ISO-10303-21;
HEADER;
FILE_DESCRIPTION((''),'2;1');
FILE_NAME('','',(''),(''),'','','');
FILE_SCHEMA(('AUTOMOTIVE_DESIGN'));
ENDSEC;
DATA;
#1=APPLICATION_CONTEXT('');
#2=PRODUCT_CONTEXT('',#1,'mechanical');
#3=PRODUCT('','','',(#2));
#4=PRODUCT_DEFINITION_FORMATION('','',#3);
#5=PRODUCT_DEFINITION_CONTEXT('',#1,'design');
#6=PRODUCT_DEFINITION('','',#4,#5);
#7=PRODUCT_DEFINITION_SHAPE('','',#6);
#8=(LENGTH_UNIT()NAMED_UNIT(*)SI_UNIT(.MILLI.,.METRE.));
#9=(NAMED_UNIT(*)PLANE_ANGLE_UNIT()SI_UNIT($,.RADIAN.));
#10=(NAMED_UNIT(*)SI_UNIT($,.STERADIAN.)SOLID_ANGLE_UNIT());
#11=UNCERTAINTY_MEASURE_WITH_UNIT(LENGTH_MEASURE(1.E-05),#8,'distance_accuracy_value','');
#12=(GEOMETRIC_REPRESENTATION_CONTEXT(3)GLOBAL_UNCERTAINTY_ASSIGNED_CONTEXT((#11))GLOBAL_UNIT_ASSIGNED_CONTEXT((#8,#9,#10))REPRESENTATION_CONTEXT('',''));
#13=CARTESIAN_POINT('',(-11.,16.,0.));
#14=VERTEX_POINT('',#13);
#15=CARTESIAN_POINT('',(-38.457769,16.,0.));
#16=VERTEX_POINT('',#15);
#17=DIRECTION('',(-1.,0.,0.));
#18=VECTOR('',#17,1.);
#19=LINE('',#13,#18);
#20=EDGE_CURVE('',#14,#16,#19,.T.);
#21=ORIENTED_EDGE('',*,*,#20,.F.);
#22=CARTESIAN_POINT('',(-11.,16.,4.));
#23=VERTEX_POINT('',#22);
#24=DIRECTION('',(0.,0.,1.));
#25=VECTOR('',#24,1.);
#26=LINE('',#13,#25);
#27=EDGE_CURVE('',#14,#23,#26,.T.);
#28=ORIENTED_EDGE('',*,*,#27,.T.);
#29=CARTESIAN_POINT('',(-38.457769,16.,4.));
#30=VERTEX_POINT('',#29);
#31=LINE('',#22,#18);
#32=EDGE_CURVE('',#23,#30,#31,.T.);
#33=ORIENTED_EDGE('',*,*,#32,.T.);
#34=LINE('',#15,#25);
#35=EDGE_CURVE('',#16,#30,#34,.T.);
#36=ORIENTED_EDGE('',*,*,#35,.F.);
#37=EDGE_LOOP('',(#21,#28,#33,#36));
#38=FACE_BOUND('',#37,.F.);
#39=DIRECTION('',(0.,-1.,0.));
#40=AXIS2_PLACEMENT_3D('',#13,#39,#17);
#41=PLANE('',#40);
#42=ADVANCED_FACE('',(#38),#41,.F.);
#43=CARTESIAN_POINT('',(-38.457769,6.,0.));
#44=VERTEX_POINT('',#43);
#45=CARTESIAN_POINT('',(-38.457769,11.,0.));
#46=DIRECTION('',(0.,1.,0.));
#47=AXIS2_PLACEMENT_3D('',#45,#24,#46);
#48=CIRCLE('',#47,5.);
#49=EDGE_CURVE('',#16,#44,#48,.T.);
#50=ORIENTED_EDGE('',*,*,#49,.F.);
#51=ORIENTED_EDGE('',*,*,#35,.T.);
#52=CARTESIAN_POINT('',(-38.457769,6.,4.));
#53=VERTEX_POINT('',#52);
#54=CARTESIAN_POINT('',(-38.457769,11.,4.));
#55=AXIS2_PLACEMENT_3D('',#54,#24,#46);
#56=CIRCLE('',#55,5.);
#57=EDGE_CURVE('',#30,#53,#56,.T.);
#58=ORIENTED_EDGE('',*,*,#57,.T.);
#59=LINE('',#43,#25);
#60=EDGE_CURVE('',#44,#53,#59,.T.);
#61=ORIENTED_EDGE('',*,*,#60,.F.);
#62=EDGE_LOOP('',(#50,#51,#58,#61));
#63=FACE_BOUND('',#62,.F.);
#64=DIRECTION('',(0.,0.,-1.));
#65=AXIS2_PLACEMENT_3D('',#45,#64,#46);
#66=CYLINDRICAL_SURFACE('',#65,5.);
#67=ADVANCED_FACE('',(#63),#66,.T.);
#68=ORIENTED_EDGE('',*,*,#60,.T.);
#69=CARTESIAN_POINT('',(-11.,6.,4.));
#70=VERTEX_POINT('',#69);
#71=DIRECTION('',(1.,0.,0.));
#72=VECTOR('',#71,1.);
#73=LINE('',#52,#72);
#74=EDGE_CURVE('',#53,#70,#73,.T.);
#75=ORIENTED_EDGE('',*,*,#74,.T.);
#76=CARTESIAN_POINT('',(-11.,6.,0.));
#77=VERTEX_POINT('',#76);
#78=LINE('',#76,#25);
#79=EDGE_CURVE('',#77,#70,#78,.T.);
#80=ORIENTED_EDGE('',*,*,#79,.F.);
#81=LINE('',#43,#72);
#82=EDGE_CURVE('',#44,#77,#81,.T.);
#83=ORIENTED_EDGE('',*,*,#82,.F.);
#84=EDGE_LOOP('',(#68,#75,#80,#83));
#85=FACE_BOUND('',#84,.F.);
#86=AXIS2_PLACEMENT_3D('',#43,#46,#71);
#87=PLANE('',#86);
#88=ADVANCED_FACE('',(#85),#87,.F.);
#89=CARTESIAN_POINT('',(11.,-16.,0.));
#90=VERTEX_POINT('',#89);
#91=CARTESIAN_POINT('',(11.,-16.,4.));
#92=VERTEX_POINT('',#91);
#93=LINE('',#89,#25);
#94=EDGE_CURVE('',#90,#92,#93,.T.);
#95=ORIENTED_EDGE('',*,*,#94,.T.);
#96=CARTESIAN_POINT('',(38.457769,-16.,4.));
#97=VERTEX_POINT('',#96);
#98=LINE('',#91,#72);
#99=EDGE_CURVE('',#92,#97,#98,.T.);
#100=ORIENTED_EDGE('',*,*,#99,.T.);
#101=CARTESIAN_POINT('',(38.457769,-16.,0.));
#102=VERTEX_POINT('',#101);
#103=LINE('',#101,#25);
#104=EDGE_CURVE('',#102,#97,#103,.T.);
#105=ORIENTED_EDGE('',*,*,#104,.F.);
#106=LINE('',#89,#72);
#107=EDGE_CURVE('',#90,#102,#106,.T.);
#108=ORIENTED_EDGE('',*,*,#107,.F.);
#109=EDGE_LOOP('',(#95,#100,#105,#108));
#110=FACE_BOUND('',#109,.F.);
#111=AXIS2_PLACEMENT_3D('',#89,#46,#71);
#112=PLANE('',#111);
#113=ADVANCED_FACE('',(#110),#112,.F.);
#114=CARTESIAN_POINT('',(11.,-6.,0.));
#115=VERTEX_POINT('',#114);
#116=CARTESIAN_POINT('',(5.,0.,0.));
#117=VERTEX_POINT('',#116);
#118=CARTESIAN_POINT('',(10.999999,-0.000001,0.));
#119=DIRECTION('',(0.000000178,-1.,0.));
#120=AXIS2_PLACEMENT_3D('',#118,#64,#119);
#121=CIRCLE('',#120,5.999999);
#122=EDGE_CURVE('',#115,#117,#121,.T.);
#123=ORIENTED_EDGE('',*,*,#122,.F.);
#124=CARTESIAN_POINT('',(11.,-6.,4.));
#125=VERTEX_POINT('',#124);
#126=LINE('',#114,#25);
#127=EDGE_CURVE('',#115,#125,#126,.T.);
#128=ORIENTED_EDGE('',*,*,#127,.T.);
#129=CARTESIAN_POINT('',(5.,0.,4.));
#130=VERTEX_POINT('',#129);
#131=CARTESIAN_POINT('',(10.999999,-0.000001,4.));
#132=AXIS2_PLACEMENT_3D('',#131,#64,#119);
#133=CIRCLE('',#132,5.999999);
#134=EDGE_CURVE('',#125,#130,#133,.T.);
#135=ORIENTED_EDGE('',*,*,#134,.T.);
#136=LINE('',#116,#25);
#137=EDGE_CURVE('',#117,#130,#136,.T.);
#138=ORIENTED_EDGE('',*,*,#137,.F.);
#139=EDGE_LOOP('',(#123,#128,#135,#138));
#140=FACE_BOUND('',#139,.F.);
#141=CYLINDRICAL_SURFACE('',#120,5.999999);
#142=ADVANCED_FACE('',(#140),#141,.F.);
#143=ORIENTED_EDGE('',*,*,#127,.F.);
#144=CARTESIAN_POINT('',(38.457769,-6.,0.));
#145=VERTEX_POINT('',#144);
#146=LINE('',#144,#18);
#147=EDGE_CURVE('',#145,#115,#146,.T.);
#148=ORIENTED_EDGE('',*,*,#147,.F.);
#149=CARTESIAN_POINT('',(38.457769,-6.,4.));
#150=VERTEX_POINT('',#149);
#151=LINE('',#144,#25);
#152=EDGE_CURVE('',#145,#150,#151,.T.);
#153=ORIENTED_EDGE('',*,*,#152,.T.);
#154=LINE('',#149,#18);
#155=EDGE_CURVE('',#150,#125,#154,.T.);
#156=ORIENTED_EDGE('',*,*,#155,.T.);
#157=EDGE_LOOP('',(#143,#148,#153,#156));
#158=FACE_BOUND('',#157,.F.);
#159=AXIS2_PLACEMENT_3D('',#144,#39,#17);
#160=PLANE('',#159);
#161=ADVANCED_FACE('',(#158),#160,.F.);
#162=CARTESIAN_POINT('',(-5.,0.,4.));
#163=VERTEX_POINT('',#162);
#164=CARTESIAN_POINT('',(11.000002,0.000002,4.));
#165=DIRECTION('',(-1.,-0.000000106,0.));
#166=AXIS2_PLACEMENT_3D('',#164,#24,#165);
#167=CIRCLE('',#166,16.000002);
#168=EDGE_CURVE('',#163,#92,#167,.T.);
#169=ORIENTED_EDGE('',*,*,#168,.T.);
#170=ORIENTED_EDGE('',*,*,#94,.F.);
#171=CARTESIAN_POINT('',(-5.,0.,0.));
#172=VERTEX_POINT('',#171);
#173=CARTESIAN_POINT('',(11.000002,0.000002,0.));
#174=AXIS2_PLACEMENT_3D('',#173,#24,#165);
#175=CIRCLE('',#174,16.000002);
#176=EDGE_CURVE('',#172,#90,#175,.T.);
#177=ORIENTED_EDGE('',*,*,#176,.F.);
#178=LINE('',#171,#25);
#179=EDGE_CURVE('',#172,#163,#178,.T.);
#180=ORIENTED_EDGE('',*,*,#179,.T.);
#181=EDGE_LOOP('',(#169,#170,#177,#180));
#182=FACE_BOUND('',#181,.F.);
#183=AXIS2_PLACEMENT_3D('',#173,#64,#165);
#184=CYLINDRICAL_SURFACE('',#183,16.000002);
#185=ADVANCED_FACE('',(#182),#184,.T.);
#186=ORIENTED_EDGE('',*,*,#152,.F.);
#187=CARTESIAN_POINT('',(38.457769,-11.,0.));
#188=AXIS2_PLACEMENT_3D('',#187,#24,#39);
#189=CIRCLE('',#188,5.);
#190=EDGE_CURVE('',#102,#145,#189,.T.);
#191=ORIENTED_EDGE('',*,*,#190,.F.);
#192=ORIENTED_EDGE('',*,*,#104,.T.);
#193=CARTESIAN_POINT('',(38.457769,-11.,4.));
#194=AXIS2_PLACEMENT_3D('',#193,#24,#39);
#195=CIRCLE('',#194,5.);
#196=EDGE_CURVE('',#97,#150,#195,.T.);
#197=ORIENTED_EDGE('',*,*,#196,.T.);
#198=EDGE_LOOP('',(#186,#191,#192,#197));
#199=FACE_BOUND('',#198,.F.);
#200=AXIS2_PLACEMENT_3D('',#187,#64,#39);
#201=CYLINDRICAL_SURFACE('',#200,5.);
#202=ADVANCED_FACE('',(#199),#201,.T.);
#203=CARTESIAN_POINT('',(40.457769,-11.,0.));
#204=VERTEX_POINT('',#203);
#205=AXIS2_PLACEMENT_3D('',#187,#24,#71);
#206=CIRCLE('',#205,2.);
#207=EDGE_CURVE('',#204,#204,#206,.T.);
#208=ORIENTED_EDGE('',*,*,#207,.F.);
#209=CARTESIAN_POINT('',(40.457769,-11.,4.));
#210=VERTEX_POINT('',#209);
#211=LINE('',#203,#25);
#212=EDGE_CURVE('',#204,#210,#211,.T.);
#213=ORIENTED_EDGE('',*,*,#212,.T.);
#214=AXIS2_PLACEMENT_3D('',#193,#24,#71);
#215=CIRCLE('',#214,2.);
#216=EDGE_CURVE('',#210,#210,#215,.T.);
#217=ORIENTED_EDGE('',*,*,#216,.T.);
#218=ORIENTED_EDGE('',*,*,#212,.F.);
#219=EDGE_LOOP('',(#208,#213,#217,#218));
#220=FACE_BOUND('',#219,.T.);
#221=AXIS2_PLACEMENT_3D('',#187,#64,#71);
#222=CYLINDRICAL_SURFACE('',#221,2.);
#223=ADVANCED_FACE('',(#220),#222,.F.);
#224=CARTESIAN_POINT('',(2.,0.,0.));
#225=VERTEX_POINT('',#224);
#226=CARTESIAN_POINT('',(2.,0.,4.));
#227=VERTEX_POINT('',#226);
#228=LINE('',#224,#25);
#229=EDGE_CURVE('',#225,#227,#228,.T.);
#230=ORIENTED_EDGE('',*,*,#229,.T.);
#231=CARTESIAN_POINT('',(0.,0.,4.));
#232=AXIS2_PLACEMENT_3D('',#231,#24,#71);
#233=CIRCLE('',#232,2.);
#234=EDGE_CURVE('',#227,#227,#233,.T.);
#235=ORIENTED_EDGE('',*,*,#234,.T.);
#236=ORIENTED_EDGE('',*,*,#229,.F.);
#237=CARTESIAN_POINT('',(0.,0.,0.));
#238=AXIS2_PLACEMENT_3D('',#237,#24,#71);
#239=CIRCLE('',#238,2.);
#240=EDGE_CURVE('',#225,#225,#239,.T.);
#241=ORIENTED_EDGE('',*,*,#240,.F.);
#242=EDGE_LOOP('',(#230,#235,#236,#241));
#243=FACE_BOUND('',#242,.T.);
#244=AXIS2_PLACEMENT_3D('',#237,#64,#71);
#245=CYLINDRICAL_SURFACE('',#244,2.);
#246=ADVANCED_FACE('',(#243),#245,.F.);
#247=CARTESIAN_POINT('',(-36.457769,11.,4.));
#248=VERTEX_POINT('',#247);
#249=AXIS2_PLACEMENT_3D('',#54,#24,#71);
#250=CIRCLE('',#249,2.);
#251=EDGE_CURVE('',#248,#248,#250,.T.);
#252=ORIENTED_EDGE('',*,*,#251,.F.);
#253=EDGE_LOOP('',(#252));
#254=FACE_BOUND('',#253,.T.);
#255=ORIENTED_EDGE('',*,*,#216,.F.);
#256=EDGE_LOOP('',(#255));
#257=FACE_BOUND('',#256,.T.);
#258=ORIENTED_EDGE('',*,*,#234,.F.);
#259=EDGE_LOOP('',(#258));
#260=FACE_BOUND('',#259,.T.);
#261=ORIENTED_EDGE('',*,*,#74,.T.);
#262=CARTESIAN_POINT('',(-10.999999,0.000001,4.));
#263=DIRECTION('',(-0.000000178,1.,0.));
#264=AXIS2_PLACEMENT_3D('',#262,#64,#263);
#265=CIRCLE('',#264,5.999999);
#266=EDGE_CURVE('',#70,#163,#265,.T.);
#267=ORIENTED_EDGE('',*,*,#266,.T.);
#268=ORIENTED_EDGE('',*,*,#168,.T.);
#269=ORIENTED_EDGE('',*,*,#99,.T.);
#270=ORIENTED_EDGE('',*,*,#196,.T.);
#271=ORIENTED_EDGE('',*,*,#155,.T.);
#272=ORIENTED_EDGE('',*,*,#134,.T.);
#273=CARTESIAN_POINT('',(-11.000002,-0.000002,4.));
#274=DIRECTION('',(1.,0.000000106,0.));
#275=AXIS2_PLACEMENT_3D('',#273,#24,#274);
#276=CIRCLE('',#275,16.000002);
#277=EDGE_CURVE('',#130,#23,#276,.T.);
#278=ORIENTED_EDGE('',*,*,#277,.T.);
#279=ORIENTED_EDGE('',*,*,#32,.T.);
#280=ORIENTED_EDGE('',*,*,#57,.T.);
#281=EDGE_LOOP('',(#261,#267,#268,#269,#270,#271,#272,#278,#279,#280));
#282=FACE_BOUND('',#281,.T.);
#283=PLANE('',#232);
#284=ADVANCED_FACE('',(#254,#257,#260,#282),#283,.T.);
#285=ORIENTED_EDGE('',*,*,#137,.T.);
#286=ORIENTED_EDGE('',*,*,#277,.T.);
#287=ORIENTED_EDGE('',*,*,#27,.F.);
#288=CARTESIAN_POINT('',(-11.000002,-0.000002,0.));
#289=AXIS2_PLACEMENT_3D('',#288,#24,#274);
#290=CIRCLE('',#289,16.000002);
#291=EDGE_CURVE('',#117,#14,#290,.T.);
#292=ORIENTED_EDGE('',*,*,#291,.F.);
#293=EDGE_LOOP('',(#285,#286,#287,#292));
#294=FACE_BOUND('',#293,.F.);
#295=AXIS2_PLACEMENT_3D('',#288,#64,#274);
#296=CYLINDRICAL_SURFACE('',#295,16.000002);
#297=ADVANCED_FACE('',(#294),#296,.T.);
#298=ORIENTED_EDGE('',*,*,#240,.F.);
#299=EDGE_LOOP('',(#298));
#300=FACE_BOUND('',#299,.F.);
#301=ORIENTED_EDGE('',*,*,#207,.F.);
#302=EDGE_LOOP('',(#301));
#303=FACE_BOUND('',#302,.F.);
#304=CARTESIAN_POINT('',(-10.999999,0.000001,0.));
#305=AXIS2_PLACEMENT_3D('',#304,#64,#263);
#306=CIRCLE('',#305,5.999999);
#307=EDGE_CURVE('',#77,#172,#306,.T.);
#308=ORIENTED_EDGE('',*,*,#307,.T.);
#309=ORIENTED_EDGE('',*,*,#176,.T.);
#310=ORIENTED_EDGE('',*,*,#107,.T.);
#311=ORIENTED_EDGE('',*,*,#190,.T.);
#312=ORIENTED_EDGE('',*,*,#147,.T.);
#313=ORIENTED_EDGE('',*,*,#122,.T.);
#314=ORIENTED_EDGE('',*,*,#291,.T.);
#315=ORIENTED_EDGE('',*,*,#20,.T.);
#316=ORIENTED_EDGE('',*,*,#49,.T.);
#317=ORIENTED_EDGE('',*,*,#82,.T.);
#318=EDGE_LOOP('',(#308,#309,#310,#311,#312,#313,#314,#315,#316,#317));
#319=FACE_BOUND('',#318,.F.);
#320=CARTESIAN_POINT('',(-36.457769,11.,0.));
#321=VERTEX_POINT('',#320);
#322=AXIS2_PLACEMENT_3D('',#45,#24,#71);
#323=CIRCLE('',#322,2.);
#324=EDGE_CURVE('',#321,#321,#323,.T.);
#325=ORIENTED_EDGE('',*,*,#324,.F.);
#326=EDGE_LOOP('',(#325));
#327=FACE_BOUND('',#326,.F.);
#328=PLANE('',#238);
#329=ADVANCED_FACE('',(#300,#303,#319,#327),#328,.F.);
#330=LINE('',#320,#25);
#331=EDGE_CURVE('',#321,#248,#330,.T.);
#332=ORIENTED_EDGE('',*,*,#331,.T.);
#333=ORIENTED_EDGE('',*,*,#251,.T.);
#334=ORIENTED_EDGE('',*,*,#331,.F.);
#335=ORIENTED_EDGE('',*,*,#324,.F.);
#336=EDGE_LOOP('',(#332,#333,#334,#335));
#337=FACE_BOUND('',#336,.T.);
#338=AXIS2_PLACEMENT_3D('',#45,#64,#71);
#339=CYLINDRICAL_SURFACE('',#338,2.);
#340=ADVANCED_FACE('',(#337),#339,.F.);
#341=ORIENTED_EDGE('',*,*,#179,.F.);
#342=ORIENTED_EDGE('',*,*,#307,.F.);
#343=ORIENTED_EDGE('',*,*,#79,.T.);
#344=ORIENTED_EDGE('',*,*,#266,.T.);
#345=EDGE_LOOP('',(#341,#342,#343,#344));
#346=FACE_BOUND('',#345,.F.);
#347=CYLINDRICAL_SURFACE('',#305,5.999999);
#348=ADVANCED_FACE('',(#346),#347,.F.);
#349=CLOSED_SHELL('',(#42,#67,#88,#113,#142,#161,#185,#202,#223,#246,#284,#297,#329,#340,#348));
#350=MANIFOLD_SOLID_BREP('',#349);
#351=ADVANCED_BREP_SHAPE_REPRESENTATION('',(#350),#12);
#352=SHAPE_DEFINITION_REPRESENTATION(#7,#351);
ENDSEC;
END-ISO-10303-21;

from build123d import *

# Parameters (mm, degrees)
F0_R     = 2
F1_DEPTH = 4


with BuildPart() as f1:
    # F0 (on Top) → F1 (new body)
    with BuildSketch(Plane.XY):
        with BuildLine():
            ThreePointArc((-11, 6), (-6.757359, 4.242641), (-5, 0))
            ThreePointArc((-5, 0), (-0.313708, -11.313708), (11, -16))
            Line((11, -16), (38.457769, -16))
            ThreePointArc((38.457769, -16), (43.457769, -11), (38.457769, -6))
            Line((38.457769, -6), (11, -6))
            ThreePointArc((11, -6), (6.757359, -4.242641), (5, 0))
            ThreePointArc((5, 0), (0.313708, 11.313708), (-11, 16))
            Line((-11, 16), (-38.457769, 16))
            ThreePointArc((-38.457769, 16), (-43.457769, 11), (-38.457769, 6))
            Line((-38.457769, 6), (-11, 6))
        make_face()
        with Locations((38.457769, -11)):
            Circle(F0_R, mode=Mode.SUBTRACT)
        Circle(F0_R, mode=Mode.SUBTRACT)
        with Locations((-38.457769, 11)):
            Circle(F0_R, mode=Mode.SUBTRACT)
    extrude(amount=F1_DEPTH)


solid = f1.part
